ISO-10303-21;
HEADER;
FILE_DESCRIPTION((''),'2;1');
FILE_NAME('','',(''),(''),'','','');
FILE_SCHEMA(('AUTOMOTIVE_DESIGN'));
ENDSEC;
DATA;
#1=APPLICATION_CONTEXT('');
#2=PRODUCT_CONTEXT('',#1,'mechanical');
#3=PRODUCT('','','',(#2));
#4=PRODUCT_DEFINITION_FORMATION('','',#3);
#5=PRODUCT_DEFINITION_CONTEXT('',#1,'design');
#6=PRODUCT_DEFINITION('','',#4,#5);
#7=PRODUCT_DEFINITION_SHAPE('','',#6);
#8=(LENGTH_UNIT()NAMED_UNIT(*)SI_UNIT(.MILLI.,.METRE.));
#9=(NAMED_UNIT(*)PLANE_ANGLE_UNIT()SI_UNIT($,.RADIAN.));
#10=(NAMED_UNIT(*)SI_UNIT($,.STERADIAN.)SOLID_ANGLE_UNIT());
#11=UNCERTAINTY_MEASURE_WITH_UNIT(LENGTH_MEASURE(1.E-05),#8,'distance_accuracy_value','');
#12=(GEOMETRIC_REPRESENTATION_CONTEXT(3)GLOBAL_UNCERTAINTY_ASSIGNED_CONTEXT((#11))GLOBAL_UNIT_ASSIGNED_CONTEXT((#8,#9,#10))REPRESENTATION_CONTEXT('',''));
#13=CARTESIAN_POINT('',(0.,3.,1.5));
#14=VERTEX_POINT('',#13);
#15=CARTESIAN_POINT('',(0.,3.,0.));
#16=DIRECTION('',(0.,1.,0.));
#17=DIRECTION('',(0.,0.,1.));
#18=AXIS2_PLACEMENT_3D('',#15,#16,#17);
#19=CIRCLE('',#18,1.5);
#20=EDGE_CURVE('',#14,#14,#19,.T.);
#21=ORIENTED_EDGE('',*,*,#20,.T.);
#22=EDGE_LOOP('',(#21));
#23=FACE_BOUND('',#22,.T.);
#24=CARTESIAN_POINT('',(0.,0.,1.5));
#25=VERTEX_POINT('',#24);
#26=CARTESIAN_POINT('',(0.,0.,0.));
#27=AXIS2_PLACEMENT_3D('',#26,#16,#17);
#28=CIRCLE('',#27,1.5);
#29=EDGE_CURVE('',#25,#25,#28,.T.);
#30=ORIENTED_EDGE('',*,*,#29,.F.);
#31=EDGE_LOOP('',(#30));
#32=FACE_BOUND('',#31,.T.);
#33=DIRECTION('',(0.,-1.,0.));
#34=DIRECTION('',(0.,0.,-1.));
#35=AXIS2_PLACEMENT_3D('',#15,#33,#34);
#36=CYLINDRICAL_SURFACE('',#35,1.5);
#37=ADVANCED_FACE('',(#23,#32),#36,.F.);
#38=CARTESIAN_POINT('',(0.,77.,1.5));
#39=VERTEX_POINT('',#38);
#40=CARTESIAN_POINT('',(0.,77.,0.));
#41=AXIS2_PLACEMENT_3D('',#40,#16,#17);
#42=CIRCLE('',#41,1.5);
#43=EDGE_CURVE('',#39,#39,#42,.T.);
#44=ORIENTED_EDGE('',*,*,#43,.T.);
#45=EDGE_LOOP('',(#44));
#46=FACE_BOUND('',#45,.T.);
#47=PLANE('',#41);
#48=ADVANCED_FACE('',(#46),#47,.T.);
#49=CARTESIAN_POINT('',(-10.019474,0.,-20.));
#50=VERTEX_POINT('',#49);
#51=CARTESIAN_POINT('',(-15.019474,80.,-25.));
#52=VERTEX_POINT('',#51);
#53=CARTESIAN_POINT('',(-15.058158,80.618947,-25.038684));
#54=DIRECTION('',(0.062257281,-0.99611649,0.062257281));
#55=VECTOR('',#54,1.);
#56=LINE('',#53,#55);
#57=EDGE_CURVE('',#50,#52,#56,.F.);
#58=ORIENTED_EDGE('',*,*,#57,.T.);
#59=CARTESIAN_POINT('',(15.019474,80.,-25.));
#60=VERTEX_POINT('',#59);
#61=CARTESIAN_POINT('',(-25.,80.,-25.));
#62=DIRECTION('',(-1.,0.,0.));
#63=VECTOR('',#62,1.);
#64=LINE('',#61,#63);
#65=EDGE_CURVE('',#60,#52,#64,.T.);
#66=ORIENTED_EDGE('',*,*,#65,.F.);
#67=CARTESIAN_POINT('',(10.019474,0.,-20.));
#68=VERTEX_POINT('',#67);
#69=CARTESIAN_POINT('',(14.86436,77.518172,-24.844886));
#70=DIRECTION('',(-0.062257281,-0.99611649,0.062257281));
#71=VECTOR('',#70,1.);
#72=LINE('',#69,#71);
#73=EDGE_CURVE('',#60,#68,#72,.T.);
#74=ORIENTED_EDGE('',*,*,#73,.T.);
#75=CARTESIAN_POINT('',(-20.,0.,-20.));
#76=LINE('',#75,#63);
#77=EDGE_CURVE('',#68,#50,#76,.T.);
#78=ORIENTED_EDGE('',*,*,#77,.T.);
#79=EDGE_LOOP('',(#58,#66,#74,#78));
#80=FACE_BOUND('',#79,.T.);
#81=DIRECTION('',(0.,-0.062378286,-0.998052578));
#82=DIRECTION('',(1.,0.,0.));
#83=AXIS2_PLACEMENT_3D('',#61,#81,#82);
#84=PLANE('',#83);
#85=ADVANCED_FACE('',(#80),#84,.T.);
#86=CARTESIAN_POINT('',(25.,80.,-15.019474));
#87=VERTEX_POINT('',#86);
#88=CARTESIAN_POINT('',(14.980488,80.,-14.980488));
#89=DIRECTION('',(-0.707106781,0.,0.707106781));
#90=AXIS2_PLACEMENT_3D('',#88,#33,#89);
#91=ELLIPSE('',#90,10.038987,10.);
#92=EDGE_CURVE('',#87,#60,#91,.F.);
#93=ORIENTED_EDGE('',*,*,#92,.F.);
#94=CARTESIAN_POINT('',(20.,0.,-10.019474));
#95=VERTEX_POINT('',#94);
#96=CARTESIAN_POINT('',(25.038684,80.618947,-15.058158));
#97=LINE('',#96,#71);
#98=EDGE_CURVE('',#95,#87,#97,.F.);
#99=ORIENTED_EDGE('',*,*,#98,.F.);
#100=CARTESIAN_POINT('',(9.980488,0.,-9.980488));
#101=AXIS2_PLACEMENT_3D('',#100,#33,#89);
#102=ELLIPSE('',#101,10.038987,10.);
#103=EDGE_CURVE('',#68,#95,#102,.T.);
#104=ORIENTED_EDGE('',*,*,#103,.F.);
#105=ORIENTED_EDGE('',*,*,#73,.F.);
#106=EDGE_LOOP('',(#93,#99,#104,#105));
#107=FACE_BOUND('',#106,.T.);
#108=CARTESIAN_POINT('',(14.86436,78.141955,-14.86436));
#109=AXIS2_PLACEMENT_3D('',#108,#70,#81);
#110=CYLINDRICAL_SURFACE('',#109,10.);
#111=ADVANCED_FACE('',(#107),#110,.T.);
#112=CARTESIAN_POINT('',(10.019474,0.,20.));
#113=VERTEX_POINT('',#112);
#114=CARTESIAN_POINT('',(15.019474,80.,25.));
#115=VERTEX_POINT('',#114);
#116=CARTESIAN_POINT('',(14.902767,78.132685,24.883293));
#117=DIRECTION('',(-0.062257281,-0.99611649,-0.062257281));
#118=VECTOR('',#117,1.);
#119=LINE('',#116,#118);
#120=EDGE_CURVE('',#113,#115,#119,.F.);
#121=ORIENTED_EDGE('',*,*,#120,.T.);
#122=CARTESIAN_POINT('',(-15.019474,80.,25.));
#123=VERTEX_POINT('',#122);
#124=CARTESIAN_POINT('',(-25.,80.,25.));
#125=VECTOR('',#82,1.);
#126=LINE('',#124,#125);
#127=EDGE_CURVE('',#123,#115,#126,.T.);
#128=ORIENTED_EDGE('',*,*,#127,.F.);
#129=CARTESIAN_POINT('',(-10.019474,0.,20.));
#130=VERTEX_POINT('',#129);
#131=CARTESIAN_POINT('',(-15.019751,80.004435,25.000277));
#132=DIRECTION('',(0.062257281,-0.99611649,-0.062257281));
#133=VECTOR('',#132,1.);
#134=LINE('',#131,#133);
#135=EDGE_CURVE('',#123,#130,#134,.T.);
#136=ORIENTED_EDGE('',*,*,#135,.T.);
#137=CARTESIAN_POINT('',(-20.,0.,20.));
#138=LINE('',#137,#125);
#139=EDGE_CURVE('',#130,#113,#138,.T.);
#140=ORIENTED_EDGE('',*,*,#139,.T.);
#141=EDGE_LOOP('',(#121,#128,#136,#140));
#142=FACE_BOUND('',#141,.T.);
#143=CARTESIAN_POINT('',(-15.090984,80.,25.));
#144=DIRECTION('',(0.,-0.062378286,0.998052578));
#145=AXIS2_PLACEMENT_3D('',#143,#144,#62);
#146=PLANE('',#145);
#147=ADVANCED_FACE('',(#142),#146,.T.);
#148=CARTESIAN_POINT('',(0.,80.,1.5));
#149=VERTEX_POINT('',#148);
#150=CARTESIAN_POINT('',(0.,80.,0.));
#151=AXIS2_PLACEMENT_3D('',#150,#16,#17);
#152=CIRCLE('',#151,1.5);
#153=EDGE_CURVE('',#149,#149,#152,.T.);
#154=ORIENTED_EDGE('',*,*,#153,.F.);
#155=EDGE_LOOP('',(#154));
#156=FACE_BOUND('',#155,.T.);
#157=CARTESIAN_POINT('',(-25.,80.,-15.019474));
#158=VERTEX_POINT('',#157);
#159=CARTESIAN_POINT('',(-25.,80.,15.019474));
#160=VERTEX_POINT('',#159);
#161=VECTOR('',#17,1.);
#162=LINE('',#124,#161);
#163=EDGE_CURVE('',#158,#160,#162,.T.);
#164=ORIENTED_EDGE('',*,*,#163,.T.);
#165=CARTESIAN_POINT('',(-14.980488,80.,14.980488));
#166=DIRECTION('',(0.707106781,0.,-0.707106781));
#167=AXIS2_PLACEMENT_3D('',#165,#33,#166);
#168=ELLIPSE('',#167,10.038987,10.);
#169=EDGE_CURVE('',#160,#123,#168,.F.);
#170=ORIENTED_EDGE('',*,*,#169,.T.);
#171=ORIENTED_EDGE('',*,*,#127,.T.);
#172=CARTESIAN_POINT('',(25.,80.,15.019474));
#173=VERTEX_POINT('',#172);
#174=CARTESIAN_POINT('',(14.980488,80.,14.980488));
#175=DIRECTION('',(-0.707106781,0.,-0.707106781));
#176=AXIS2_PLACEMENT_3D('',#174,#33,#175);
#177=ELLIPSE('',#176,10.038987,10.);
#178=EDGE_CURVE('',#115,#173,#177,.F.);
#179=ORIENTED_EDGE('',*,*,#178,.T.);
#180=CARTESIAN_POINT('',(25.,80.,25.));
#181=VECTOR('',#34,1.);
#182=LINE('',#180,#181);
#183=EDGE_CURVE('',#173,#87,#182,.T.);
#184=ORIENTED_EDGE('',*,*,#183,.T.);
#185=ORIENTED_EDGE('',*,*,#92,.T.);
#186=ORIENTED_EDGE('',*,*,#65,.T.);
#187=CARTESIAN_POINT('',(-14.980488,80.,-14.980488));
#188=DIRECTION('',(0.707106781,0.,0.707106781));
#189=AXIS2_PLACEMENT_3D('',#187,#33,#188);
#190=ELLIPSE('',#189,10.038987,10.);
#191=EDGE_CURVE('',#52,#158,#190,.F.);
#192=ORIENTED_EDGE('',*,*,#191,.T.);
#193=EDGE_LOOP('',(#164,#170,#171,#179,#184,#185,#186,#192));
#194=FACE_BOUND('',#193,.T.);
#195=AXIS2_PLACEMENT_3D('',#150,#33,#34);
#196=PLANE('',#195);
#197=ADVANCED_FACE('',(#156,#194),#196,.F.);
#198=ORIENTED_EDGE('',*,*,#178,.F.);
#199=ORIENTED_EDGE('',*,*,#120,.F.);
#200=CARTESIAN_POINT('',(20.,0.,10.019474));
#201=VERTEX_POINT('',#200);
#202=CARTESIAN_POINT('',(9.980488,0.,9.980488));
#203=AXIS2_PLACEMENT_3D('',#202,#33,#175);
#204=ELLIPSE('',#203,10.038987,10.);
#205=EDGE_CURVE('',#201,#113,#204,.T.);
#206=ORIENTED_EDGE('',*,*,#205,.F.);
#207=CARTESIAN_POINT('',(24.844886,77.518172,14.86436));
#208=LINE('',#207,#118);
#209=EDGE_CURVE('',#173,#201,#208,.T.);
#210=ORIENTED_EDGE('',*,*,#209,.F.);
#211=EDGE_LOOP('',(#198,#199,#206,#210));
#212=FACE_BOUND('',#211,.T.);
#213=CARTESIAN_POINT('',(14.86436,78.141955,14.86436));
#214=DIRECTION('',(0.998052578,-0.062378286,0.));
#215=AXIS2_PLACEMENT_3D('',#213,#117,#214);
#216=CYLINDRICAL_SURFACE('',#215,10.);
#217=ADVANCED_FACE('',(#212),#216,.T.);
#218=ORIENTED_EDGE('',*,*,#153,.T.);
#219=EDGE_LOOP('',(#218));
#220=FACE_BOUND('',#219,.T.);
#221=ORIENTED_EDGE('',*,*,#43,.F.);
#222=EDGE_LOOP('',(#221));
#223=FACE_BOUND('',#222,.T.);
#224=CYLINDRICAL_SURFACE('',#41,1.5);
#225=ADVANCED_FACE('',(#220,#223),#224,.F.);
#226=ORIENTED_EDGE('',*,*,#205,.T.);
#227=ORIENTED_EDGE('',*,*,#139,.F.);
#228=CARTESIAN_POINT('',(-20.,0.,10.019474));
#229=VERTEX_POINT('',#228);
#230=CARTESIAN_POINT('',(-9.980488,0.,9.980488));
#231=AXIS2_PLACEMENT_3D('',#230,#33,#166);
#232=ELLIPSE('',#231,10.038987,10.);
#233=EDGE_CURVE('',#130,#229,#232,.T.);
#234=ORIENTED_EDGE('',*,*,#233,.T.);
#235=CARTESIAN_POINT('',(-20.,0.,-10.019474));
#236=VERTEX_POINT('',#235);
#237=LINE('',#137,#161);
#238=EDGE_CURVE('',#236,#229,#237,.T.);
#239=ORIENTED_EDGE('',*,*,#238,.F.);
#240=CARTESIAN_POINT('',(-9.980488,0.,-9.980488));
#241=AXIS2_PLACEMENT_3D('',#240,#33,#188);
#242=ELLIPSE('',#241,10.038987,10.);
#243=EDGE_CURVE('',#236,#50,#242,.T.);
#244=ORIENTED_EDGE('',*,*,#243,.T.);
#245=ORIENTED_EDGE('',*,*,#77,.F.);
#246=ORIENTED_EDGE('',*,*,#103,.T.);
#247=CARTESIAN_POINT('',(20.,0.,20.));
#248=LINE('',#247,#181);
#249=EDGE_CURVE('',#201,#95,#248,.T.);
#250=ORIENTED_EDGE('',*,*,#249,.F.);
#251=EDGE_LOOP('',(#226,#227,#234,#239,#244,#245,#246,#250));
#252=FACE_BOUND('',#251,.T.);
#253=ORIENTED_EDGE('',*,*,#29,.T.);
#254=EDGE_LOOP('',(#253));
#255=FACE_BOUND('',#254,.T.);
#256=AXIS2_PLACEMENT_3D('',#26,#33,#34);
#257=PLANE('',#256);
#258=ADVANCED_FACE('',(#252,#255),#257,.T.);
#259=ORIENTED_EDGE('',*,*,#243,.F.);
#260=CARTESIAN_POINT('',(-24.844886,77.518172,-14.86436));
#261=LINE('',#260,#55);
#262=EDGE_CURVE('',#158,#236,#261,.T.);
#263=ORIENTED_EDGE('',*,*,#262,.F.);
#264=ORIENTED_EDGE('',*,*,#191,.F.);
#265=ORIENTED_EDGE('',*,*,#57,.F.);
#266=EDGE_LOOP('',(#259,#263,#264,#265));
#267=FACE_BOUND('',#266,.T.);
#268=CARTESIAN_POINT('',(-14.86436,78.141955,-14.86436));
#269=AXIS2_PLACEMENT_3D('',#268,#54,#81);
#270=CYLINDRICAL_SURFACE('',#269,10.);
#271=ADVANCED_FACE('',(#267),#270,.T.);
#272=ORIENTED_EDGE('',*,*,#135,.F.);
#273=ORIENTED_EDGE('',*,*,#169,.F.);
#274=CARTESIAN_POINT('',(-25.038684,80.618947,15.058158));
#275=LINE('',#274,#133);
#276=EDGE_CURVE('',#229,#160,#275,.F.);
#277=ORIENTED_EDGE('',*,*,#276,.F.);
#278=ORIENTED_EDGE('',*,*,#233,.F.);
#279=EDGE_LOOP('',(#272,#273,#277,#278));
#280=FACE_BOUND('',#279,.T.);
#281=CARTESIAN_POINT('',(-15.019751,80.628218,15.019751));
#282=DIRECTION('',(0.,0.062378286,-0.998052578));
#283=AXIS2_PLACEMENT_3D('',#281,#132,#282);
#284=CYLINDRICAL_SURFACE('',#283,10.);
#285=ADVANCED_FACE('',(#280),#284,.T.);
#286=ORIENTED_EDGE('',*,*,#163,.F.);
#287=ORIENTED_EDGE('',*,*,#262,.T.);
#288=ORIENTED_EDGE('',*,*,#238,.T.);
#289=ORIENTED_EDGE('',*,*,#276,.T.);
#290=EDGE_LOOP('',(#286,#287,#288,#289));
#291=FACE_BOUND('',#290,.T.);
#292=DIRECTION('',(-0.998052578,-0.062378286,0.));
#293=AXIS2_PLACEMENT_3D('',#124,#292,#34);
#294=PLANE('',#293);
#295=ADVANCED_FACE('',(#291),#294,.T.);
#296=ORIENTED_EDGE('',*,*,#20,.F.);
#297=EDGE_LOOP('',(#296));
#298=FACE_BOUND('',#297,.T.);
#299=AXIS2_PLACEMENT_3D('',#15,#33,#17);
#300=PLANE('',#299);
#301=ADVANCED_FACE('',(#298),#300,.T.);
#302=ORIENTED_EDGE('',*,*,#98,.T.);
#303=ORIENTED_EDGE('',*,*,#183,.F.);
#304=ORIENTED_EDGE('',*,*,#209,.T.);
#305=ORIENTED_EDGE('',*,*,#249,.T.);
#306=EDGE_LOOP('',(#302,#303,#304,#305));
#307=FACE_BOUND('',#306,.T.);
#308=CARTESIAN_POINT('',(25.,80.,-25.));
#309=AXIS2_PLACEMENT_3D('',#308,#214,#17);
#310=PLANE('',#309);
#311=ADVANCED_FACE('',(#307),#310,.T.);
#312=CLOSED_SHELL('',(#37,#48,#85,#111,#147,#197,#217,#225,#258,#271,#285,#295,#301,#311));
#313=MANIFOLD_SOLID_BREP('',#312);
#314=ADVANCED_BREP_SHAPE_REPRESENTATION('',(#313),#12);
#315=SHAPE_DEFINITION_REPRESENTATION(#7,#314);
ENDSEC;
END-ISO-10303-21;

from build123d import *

# Parameters (mm, degrees)
SKETCH3_R          = 1.5
CUT_EXTRUDE1_DEPTH = 3
FILLET1_R          = 10


with BuildPart() as part:
    # Sketch2 → Loft1 section 0
    with BuildSketch(Plane(origin=(0, 80, 0), x_dir=(1, 0, 0), z_dir=(0, 1, 0))):
        with BuildLine():
            Line((-25, -25), (25, -25))
            Line((25, -25), (25, 25))
            Line((25, 25), (-25, 25))
            Line((-25, 25), (-25, -25))
        make_face()
    # Sketch1 → Loft1 section 1
    with BuildSketch(Plane(origin=(0, 0, 0), x_dir=(1, 0, 0), z_dir=(0, 1, 0))):
        with BuildLine():
            Line((-20, -20), (20, -20))
            Line((20, -20), (20, 20))
            Line((20, 20), (-20, 20))
            Line((-20, 20), (-20, -20))
        make_face()
    loft()

    # Sketch3 → Cut-Extrude1 (cut)
    with BuildSketch(Plane(origin=(0, 80, 0), x_dir=(1, 0, 0), z_dir=(0, 1, 0))):
        with Locations(Location((0, 0, 0), (0, 0, 270))):
            Circle(SKETCH3_R)
    cut_extrude1 = extrude(amount=-CUT_EXTRUDE1_DEPTH, mode=Mode.SUBTRACT)

    # Mirror1: Cut-Extrude1 across plane
    add(cut_extrude1.mirror(Plane.ZX.offset(40)), mode=Mode.SUBTRACT)

    # Fillet1
    fillet1_edges = [part.edges().sort_by_distance(p)[0] for p in [
        (-22.5, 40, 22.5),
        (-22.5, 40, -22.5),
        (22.5, 40, -22.5),
        (22.5, 40, 22.5),
    ]]
    fillet(fillet1_edges, radius=FILLET1_R)


solid = part.part
